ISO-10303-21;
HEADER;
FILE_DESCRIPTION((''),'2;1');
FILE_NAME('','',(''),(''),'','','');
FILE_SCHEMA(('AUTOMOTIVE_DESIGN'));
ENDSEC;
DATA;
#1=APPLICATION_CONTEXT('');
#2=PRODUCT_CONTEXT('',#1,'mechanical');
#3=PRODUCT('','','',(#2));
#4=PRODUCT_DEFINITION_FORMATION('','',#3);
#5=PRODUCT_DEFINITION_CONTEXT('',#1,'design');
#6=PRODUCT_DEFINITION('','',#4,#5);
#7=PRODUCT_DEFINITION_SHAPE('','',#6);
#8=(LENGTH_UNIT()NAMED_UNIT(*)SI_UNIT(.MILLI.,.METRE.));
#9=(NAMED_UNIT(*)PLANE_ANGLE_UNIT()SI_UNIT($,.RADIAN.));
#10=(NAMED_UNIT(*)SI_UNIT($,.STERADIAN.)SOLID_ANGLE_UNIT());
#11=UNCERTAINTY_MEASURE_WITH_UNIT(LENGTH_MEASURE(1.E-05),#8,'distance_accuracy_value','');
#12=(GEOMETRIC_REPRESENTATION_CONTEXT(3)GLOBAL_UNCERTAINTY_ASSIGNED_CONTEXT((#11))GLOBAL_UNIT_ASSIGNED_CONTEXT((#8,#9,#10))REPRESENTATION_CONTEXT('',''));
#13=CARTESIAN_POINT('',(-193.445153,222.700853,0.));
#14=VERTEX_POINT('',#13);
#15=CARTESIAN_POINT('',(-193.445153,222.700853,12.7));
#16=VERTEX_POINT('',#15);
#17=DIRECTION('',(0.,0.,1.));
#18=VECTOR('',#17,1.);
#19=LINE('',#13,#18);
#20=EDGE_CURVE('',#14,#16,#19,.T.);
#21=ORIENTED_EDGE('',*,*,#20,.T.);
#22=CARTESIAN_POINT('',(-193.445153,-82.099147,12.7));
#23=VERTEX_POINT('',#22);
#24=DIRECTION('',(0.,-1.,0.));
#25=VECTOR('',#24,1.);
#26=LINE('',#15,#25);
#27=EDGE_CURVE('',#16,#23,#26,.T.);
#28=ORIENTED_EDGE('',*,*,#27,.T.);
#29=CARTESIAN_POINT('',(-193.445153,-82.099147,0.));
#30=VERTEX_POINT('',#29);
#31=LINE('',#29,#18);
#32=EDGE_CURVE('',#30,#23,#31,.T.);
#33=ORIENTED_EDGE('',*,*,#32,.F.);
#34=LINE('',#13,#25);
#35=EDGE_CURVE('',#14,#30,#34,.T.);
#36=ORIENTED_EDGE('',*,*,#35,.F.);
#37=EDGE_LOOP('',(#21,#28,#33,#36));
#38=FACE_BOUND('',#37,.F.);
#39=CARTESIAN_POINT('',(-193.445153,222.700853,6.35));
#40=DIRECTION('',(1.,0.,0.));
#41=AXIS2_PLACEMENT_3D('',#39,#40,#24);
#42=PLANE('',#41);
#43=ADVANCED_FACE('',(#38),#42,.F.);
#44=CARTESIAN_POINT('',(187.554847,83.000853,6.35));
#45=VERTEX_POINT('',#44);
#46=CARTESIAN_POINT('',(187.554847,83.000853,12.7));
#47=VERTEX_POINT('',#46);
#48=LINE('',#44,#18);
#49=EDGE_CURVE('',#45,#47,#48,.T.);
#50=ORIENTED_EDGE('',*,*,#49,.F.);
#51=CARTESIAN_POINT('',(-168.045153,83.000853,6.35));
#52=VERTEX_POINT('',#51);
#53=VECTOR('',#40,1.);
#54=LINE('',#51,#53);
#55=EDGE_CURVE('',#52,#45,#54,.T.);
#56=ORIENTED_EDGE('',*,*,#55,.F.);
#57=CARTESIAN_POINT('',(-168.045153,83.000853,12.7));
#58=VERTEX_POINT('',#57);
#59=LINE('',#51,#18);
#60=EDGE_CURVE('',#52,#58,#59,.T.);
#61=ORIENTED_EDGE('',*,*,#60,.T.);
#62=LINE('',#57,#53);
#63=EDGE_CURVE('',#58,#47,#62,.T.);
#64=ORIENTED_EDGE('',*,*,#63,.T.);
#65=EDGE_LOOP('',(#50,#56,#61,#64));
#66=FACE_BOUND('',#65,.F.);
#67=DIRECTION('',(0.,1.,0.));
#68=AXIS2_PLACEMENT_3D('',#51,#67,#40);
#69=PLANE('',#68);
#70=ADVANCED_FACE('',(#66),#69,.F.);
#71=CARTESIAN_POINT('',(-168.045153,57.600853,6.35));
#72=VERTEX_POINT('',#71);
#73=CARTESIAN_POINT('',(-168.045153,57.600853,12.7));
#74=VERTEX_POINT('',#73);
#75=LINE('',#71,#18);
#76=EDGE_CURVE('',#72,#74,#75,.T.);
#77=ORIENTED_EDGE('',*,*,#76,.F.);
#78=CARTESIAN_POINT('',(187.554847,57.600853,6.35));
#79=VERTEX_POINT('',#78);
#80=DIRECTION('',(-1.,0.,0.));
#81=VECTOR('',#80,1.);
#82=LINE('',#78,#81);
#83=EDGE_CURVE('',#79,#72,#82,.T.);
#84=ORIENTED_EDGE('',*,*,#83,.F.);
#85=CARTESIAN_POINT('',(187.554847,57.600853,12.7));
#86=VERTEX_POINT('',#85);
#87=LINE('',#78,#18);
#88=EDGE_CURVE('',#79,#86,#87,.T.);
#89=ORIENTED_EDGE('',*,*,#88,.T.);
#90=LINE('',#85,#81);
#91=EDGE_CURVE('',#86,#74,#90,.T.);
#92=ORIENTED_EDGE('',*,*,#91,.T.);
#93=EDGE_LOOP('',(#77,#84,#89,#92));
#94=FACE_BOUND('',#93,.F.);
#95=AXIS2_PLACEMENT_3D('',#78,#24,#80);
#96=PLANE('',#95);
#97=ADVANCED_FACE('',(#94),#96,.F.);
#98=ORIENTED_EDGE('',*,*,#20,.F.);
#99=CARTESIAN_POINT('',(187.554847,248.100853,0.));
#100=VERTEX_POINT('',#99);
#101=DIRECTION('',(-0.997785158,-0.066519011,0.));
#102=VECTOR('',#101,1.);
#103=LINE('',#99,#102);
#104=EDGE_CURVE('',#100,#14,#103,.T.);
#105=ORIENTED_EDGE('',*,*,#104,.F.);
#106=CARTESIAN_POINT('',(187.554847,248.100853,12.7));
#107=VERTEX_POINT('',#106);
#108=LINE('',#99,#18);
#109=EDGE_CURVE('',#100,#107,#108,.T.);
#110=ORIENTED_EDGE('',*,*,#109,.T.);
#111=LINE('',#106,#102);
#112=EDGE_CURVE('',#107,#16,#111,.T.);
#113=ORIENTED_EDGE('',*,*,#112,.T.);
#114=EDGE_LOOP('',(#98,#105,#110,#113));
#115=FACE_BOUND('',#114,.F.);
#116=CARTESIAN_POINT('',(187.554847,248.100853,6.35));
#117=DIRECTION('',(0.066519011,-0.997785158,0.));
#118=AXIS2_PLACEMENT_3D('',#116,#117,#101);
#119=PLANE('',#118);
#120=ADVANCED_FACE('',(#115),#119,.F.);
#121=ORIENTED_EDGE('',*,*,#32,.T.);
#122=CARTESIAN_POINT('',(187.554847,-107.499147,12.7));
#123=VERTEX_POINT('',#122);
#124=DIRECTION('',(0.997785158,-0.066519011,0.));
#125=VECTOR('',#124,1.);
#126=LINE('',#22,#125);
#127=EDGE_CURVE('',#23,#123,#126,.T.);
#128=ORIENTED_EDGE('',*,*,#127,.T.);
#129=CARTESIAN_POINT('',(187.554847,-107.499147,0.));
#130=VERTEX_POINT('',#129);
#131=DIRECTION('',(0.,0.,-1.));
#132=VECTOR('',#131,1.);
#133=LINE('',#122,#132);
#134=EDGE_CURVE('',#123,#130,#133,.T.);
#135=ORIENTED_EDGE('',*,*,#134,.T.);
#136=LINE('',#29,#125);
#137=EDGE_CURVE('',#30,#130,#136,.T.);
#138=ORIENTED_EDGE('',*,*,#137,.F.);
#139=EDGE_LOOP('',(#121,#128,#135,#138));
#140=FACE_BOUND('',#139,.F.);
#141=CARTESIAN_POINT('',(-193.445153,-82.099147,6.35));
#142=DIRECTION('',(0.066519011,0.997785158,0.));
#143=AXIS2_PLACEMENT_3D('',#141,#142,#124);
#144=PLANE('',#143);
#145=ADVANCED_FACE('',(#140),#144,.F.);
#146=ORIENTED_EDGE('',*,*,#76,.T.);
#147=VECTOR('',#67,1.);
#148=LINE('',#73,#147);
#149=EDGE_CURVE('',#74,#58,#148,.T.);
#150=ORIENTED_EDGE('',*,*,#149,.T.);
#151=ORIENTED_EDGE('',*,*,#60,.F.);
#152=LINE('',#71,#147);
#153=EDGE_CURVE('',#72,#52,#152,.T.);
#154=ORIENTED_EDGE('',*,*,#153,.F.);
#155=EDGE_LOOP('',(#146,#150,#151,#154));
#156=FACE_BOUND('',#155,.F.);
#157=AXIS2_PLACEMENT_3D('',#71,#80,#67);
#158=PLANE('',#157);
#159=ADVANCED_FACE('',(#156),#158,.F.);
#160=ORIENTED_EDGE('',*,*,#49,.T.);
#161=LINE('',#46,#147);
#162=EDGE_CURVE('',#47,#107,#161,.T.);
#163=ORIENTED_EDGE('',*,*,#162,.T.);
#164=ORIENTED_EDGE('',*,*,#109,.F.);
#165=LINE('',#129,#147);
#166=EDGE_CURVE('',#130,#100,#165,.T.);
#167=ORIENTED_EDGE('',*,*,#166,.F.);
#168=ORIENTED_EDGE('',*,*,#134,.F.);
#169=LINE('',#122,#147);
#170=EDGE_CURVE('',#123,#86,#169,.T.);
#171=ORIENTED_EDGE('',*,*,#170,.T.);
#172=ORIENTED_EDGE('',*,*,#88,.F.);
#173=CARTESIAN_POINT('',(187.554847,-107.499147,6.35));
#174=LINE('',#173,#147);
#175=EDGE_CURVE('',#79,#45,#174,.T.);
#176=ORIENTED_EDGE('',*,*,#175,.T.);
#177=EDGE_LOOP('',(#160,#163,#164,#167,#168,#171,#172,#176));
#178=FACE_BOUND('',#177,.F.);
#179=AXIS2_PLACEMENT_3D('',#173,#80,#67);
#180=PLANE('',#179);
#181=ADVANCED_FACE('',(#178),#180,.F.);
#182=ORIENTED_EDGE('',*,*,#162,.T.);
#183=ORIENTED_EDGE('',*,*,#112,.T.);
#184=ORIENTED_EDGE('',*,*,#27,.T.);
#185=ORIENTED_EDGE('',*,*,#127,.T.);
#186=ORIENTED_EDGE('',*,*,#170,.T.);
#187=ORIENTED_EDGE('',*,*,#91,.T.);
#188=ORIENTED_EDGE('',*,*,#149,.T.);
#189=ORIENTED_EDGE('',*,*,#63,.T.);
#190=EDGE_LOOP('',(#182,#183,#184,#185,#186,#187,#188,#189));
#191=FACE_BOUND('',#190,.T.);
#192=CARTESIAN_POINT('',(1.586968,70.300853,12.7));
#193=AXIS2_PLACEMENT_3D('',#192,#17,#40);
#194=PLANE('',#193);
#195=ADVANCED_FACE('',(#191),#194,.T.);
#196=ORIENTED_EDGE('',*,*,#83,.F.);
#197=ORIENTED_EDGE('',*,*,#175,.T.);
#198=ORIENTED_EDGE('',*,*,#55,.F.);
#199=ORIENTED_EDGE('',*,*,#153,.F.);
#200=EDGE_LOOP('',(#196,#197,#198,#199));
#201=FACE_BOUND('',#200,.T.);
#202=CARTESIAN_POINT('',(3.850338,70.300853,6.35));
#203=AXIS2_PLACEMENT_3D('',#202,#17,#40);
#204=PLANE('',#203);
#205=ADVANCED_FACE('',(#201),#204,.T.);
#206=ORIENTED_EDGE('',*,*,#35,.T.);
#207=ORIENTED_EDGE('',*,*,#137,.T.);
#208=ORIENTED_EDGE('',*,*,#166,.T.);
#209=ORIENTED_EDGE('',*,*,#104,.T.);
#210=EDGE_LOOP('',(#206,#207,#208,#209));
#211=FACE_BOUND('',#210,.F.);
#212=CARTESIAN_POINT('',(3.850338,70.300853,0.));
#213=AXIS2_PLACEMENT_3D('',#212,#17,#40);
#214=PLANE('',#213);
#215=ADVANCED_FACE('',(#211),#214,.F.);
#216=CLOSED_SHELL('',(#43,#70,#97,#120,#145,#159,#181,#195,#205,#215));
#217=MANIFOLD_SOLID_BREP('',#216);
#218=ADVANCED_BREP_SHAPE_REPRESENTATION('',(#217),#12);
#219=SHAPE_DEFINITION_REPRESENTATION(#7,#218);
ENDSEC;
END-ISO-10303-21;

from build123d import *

# Parameters (mm, degrees)
F1_DEPTH = 6.35
F3_DEPTH = 6.35


with BuildPart() as f1:
    # F0 (on Top) → F1 (new body)
    with BuildSketch(Plane.XY):
        Polygon((-193.445153, 222.700853), (-193.445153, -82.099147), (187.554847, -107.499147), (187.554847, 248.100853), align=None)
    extrude(amount=F1_DEPTH)

    # F2 (on face) → F3 (join)
    with BuildSketch(Plane.XY.offset(6.35)):
        Polygon((-168.045153, 57.600853), (-168.045153, 83.000853), (187.554847, 83.000853), (187.554847, 248.100853), (-193.445153, 222.700853), (-193.445153, -82.099147), (187.554847, -107.499147), (187.554847, 57.600853), align=None)
    extrude(amount=F3_DEPTH)


solid = f1.part
